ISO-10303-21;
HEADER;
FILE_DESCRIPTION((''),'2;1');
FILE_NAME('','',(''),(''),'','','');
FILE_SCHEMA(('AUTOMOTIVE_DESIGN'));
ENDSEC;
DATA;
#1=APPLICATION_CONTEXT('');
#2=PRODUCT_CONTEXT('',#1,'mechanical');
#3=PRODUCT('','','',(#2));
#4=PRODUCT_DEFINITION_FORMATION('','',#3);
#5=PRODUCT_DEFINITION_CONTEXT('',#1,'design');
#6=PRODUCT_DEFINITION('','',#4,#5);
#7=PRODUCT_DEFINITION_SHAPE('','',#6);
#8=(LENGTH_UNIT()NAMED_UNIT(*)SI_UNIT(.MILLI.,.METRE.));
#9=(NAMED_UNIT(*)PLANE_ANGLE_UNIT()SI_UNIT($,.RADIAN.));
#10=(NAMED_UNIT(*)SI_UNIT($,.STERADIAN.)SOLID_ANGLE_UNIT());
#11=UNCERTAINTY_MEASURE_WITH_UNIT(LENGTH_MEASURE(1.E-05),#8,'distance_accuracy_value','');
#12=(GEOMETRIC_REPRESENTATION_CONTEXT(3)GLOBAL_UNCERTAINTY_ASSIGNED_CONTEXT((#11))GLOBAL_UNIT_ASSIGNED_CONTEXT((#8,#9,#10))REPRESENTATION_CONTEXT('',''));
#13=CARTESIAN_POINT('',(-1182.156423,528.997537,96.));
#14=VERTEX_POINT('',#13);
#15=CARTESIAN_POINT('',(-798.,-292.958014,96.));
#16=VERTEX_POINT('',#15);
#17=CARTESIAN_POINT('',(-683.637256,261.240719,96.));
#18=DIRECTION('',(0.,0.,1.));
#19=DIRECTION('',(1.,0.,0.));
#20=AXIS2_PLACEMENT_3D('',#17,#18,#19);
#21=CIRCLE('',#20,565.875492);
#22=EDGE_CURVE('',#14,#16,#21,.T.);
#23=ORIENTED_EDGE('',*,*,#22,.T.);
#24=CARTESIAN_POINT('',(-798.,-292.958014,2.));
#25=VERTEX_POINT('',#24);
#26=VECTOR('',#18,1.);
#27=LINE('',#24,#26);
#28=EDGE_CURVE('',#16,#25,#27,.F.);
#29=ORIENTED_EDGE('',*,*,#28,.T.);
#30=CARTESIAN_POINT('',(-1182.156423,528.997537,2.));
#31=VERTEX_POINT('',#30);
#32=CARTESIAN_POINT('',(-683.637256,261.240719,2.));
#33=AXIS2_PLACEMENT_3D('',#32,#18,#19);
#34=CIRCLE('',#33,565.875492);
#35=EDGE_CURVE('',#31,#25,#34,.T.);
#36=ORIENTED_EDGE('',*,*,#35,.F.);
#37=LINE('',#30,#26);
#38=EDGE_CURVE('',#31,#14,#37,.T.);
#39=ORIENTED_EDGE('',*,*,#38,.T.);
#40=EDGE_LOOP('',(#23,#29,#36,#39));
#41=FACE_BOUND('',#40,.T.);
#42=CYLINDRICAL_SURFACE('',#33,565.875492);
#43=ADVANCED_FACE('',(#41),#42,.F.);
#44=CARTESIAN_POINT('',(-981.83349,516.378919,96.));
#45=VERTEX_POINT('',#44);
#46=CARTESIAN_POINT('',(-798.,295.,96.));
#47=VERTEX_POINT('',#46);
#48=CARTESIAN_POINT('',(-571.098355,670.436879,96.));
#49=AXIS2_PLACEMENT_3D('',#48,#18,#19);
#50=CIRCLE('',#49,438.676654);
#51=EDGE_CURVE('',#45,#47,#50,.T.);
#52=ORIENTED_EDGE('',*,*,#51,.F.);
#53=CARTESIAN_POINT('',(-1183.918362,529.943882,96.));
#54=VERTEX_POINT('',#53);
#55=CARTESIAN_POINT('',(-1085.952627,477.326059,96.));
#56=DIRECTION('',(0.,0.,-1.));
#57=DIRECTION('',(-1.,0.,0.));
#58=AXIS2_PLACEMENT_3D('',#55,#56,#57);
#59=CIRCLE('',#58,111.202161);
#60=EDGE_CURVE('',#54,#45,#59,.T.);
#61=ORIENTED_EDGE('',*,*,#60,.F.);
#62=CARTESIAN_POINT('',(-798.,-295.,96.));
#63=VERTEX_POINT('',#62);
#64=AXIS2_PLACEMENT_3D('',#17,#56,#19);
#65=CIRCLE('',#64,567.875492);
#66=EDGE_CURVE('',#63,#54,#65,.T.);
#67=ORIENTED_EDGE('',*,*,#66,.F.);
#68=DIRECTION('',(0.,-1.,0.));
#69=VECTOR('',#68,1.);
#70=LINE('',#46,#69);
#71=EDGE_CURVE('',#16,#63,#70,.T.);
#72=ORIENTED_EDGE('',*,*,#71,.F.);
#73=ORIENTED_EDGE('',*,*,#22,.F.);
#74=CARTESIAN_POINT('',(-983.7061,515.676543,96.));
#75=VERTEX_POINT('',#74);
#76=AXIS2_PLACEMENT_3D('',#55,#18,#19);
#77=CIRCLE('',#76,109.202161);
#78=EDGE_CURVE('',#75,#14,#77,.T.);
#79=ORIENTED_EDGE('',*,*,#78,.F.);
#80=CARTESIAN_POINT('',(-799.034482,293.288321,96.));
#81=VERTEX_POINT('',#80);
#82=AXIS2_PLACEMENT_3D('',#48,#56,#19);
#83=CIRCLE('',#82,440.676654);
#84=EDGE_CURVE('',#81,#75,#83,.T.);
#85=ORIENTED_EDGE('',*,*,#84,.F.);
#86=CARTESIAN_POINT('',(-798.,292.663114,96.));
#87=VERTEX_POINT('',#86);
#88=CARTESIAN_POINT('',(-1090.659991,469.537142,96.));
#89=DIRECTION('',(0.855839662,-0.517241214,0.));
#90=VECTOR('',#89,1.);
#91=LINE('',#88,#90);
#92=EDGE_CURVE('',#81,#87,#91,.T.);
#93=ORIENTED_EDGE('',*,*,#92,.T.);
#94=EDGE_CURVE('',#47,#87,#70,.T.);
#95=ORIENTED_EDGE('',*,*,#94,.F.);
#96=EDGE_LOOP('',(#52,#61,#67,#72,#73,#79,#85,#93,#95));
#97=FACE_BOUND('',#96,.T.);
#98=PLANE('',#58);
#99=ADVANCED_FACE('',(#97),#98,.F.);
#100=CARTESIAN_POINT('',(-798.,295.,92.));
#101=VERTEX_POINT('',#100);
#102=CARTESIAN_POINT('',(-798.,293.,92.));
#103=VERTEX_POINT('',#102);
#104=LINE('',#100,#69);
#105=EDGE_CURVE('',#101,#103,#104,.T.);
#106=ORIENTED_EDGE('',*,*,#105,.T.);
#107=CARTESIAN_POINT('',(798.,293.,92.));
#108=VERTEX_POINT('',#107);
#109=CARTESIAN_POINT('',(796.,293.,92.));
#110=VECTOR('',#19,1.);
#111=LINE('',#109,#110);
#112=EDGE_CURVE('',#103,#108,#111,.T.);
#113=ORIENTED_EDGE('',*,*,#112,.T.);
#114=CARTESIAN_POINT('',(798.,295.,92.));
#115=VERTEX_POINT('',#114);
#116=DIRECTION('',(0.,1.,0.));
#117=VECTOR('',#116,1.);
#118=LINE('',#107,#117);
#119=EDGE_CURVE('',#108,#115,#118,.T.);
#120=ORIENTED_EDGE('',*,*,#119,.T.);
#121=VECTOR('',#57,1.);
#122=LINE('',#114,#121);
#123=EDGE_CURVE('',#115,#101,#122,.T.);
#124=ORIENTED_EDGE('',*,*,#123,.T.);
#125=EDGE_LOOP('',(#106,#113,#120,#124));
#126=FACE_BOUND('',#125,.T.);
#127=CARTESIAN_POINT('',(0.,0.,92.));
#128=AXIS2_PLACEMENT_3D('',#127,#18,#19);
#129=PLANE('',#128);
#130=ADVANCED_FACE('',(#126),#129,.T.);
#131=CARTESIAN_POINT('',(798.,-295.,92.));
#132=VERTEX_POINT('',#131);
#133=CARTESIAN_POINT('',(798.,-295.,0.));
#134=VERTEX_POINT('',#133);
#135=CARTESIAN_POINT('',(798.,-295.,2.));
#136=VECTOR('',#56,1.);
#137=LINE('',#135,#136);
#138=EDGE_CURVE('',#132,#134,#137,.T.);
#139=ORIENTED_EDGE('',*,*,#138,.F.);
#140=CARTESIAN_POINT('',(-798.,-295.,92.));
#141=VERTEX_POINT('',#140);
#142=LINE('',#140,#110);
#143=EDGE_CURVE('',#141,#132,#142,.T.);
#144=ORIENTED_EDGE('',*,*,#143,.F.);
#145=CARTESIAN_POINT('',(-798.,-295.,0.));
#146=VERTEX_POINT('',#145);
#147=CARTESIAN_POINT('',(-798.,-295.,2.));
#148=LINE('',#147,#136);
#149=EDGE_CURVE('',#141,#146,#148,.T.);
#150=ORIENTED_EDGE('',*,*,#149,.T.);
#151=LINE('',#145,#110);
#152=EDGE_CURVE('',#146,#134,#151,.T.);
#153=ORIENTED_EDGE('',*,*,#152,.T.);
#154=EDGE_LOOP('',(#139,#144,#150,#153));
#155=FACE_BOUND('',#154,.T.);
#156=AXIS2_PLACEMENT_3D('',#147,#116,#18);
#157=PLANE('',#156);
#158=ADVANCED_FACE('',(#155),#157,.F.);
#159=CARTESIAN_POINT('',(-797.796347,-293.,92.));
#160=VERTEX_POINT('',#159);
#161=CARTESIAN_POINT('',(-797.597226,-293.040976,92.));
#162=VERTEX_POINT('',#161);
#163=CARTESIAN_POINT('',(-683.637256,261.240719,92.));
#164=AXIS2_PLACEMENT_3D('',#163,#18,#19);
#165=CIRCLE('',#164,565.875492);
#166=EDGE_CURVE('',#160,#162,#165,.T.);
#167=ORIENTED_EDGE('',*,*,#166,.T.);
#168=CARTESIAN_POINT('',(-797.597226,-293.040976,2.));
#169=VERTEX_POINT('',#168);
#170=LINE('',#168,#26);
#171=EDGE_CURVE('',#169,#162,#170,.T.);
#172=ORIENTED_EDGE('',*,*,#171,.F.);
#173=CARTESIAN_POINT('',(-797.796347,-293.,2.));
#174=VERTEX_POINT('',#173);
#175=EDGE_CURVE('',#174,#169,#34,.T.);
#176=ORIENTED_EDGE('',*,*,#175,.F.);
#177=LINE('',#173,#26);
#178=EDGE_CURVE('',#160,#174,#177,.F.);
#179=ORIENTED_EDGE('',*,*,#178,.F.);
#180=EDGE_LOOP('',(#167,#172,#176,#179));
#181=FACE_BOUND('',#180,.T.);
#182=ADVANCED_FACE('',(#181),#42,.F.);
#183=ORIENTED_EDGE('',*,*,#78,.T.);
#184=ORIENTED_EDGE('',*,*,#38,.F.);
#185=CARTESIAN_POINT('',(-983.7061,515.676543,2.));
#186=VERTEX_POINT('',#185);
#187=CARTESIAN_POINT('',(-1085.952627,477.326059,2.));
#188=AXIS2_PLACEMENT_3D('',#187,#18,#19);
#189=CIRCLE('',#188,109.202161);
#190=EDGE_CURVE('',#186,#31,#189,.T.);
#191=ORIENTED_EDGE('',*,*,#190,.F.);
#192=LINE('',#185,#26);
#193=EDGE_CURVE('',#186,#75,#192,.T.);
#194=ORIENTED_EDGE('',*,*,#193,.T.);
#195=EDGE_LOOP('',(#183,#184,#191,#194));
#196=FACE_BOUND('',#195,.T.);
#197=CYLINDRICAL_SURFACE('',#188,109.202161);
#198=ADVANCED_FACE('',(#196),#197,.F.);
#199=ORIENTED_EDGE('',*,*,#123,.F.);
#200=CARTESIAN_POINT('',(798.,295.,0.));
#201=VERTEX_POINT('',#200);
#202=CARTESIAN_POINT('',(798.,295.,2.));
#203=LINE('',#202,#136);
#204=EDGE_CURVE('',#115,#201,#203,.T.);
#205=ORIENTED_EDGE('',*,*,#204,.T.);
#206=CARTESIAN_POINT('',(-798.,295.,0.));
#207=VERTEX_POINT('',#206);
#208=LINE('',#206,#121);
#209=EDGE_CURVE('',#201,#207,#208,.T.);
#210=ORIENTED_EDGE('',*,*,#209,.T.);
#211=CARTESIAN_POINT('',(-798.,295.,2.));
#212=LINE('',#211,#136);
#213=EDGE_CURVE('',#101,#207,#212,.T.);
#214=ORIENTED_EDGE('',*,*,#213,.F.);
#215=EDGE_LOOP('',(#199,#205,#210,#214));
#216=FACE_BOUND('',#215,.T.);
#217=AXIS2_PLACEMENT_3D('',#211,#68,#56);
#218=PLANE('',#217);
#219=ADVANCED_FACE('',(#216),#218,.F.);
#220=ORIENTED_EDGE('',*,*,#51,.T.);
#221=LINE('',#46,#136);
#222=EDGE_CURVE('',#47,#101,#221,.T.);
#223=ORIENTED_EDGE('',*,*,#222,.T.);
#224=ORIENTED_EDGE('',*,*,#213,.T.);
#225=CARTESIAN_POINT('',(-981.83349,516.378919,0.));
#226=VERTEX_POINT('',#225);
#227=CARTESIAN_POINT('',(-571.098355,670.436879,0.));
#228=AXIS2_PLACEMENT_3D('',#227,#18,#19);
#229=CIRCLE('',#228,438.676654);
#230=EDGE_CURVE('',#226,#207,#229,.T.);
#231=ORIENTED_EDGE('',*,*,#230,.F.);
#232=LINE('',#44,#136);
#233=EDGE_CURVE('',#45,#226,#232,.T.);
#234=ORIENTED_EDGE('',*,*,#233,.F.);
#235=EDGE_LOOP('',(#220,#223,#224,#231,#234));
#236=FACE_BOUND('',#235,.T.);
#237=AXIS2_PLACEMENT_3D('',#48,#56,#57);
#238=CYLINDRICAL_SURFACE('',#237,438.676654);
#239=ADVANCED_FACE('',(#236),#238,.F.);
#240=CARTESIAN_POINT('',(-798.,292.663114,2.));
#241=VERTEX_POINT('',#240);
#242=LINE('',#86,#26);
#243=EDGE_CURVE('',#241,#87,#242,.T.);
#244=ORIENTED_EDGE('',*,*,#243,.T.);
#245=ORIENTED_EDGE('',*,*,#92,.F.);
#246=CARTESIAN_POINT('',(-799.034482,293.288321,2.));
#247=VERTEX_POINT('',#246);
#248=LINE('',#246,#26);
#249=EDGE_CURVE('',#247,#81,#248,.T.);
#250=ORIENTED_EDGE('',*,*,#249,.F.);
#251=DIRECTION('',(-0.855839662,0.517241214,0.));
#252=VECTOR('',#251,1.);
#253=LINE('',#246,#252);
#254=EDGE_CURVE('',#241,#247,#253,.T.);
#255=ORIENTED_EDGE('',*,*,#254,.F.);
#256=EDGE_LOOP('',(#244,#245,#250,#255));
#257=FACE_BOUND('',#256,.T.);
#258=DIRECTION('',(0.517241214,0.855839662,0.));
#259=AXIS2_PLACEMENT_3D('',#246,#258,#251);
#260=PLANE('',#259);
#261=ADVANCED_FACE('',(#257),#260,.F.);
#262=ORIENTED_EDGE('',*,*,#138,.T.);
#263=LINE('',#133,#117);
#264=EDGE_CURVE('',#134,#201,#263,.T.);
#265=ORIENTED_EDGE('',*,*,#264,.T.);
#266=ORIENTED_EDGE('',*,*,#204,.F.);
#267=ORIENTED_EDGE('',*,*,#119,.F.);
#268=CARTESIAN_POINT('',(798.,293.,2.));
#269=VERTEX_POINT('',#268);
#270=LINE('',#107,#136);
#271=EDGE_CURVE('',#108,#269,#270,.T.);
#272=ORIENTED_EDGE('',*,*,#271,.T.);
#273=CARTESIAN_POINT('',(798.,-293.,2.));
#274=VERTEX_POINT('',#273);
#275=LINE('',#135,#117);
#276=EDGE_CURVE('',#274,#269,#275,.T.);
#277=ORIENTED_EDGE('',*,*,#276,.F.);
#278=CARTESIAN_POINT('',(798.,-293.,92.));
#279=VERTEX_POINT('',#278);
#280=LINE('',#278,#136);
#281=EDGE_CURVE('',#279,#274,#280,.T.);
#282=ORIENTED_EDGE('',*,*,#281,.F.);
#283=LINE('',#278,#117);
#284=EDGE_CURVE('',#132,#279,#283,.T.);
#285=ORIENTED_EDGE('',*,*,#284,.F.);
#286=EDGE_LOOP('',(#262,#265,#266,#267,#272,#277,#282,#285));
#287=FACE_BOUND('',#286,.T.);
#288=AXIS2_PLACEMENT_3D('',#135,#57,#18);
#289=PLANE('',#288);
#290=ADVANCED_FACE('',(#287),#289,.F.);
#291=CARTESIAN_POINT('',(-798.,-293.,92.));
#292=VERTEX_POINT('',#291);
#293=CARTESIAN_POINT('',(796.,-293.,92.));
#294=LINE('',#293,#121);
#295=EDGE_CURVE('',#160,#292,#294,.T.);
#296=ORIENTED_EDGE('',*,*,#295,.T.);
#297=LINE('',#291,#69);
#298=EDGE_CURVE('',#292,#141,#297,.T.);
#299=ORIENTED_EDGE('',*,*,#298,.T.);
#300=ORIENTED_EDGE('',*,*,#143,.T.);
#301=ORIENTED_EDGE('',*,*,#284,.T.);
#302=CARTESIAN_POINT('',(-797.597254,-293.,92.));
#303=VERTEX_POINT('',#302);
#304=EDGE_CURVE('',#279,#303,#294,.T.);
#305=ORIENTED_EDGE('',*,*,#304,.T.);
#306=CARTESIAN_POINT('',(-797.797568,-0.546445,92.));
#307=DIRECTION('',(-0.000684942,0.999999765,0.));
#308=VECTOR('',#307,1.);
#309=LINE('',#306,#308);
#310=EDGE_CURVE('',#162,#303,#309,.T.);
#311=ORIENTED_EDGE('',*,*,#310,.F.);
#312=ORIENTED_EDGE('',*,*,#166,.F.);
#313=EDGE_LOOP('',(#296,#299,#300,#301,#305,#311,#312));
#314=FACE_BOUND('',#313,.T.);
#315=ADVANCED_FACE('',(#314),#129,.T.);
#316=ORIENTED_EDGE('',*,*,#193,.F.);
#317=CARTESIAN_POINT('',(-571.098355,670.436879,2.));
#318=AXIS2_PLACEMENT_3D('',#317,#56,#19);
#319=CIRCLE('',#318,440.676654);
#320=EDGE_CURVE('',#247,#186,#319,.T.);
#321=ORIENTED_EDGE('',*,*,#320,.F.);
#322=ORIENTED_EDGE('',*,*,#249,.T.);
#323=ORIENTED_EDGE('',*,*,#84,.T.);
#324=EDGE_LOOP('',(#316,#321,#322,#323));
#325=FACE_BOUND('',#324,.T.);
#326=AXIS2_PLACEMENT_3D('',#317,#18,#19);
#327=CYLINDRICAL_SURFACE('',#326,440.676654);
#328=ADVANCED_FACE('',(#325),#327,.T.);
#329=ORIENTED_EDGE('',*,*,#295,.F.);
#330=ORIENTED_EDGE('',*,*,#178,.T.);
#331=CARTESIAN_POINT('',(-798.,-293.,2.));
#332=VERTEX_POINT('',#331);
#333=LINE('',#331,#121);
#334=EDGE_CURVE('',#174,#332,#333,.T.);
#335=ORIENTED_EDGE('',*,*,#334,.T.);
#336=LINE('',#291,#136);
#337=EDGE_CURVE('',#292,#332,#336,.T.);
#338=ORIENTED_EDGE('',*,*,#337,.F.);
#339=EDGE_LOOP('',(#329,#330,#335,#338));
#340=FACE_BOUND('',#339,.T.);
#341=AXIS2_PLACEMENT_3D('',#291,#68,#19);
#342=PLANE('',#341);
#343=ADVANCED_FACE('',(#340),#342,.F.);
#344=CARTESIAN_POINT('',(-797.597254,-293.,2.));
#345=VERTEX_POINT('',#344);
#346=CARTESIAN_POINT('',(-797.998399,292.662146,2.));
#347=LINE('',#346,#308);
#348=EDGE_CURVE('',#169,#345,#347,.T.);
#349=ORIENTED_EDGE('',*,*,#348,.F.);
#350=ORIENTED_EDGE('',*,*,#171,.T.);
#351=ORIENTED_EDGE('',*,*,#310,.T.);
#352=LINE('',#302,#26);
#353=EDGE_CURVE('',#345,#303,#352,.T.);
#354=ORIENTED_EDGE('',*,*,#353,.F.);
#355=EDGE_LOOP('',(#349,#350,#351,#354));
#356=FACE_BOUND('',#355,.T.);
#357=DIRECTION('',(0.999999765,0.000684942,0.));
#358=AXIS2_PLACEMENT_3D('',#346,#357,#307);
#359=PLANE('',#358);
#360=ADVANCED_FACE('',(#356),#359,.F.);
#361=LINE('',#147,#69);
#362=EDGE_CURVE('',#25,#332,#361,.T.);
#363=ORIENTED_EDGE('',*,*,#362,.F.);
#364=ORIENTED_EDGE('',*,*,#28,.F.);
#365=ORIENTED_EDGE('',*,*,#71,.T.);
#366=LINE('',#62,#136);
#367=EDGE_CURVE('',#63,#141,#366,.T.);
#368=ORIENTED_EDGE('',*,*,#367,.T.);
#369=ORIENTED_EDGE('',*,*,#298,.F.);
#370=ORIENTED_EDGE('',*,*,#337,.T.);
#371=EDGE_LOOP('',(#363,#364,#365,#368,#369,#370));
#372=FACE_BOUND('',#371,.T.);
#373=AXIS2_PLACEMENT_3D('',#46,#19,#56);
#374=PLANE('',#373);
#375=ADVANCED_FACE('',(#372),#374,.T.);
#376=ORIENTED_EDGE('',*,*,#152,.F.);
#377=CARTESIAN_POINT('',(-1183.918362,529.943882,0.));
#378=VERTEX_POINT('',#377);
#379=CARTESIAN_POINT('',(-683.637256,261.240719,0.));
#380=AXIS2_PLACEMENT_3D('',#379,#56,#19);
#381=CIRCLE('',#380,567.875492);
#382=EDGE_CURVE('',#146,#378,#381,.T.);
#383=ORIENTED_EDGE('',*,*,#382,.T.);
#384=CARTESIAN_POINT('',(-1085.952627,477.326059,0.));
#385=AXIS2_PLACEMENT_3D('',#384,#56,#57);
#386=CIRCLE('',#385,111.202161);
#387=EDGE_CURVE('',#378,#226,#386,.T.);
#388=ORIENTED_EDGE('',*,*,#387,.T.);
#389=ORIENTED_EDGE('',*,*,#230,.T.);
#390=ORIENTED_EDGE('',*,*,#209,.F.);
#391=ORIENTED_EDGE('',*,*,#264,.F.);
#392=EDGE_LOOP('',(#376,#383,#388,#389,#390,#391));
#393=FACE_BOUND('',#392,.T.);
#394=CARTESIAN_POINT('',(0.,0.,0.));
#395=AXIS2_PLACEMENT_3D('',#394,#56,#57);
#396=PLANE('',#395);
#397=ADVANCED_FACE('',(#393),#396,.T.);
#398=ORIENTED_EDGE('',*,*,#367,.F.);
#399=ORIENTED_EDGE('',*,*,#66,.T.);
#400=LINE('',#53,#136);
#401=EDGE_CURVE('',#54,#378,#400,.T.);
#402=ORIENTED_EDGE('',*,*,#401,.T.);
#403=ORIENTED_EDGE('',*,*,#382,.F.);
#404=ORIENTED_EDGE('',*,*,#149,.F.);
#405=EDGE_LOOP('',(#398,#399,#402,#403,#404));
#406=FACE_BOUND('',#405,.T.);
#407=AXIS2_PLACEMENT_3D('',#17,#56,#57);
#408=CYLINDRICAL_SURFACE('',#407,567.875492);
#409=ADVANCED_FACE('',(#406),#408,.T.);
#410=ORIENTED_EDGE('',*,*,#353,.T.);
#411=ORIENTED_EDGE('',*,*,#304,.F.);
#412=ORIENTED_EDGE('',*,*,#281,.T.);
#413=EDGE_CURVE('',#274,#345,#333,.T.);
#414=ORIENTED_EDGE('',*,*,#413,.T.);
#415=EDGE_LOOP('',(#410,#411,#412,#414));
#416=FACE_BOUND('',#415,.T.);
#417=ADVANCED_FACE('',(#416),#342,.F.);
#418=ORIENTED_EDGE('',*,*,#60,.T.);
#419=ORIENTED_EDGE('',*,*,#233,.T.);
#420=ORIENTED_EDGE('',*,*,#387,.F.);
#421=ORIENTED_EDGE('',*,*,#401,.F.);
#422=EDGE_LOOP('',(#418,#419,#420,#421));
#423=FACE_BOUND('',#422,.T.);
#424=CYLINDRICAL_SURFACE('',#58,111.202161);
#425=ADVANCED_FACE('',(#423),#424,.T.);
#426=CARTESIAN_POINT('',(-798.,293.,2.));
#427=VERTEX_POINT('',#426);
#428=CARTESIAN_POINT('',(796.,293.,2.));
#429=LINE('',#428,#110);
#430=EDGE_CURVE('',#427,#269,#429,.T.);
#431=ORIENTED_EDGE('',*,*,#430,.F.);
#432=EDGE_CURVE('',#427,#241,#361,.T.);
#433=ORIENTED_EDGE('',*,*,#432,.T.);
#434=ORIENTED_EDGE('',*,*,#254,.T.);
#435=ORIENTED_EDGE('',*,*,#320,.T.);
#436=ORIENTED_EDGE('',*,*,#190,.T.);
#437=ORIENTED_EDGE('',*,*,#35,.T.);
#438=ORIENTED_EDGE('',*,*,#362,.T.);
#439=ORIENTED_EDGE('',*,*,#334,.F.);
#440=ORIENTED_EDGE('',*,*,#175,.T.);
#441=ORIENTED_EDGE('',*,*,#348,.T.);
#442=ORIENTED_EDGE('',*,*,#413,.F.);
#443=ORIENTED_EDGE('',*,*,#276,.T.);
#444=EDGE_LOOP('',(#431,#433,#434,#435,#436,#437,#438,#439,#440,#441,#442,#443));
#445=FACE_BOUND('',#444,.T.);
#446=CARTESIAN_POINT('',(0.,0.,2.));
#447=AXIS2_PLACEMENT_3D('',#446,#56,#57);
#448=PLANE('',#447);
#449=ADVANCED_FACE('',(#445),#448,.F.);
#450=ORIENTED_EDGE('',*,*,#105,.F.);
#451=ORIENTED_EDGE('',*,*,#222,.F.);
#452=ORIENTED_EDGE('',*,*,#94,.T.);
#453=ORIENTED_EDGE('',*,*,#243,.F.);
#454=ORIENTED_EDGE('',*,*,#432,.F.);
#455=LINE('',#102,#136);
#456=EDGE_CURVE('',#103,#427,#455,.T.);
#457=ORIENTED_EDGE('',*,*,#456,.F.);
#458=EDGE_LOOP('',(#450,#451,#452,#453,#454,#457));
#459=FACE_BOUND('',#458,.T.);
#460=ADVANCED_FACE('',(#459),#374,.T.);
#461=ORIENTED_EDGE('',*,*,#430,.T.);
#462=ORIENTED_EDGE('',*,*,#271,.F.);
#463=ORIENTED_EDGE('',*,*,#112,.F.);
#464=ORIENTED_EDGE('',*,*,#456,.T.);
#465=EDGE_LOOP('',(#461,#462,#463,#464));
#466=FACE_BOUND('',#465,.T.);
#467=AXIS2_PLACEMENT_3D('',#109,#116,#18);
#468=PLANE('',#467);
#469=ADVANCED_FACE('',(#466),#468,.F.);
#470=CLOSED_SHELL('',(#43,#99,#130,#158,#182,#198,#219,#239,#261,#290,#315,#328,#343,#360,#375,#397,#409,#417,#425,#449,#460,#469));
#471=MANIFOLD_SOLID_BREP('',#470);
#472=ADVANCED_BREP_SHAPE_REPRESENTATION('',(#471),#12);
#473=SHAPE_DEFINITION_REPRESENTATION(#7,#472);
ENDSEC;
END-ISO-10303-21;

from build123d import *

# Parameters (mm, degrees)
SKETCH_1_W          = 1596
SKETCH_1_H          = 590
EXTRUDE_1_DEPTH     = 2
EXTRUDE_2_DEPTH     = 90
EXTRUDE_5_DEPTH     = 96
CUT_EXTRUDE_1_DEPTH = 94


with BuildPart() as part:
    # 草图1 → 凸台-拉伸1 (new body)
    with BuildSketch(Plane.XY):
        Rectangle(SKETCH_1_W, SKETCH_1_H)
    extrude(amount=EXTRUDE_1_DEPTH)

    # 草图2 → 凸台-拉伸2 (add)
    with BuildSketch(Plane.XY.offset(2)):
        Polygon((-798, -293), (796, -293), (798, -293), (798, -295), (-798, -295), align=None)
        Polygon((796, 293), (798, 293), (798, 295), (-798, 295), (-798, 293), align=None)
    extrude(amount=EXTRUDE_2_DEPTH)

    # 草图5 → 凸台-拉伸5 (add)
    with BuildSketch(Plane(origin=(0, 0, 0), x_dir=(-1, 0, 0), z_dir=(0, 0, -1))):
        with BuildLine():
            Line((798, 295), (798, -295))
            ThreePointArc((798, -295), (1198.010532784, 20.610905531), (1183.918362251, 529.943881843))
            ThreePointArc((1183.918362251, 529.943881843), (1078.504933407, 588.278536691), (981.833490458, 516.378918785))
            ThreePointArc((981.833490458, 516.378918785), (908.585128619, 390.187197034), (798, 295))
        make_face()
    extrude(amount=-EXTRUDE_5_DEPTH)

    # 草图6 → 切除-拉伸1 (cut)
    with BuildSketch(Plane.XY.offset(96)):
        with BuildLine():
            Line((-797.998398705, 292.662145907), (-797.597225993, -293.040976493))
            ThreePointArc((-797.597225993, -293.040976493), (-1196.198962172, 21.458379377), (-1182.156422838, 528.997536503))
            ThreePointArc((-1182.156422838, 528.997536503), (-1078.638882134, 586.283027298), (-983.706100418, 515.67654286))
            ThreePointArc((-983.706100418, 515.67654286), (-910.123787085, 388.909492011), (-799.034482428, 293.288320677))
            Line((-799.034482428, 293.288320677), (-797.998398705, 292.662145907))
        make_face()
    extrude(amount=-CUT_EXTRUDE_1_DEPTH, mode=Mode.SUBTRACT)


solid = part.part
